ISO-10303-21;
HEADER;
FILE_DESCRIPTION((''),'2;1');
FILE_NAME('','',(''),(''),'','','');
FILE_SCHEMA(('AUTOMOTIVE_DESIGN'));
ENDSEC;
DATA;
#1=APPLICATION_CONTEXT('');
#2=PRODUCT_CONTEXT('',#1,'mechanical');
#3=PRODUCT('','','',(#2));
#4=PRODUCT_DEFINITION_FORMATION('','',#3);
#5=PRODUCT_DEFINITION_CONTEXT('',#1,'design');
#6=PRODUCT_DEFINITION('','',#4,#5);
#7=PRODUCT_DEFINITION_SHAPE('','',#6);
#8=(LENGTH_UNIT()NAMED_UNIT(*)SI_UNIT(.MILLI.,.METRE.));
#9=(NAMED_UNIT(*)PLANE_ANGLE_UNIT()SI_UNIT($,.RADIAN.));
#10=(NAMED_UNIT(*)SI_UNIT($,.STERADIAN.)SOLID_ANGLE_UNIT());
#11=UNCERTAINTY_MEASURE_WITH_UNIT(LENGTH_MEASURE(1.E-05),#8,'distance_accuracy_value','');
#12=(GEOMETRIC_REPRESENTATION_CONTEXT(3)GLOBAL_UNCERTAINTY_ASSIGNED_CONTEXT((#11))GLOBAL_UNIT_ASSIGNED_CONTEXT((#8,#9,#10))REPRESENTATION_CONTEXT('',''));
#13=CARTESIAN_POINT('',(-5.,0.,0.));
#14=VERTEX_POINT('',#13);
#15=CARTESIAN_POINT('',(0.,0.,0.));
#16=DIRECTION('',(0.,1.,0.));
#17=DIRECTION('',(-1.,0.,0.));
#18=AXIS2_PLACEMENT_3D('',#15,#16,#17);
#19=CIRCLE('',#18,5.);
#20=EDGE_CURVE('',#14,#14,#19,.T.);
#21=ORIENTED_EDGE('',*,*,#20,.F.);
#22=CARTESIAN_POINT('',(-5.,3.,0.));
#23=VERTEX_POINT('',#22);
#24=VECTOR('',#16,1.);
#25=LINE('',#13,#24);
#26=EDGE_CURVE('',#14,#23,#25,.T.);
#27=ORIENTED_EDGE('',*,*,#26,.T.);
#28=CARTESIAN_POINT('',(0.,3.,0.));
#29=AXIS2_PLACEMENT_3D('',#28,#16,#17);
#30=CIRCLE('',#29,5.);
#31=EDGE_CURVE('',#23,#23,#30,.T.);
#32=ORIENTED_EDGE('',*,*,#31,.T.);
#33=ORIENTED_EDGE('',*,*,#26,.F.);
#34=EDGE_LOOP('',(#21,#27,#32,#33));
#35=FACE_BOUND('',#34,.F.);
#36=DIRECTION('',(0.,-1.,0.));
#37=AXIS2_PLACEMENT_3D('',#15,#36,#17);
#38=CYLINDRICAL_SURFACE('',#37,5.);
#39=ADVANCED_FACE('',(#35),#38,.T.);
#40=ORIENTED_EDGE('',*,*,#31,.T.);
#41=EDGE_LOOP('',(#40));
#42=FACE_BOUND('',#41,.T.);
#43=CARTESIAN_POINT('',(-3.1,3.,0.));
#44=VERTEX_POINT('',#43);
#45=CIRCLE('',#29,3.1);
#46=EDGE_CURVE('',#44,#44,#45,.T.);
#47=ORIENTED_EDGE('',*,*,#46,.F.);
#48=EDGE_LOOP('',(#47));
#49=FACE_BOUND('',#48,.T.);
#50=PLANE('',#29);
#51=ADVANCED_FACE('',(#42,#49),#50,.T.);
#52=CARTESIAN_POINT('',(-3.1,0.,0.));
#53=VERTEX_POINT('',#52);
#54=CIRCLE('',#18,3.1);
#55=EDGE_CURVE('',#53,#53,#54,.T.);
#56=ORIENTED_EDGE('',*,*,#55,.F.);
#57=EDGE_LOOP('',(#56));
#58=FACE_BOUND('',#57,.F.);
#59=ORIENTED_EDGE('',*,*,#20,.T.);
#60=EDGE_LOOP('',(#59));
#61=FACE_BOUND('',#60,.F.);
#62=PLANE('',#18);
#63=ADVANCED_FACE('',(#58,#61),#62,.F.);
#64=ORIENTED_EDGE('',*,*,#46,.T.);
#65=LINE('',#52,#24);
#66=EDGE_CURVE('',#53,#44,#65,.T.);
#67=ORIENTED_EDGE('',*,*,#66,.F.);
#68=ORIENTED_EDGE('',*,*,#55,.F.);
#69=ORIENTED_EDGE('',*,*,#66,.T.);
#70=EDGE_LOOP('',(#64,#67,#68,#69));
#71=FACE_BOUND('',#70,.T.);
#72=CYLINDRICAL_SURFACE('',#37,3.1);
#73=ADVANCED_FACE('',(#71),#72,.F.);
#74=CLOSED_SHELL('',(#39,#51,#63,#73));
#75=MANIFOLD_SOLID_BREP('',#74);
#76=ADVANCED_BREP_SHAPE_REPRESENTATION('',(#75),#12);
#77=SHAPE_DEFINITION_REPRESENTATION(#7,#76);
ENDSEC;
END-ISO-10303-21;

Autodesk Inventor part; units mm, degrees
ref_plane "YZ Plane" through (0, 0, 0) normal (1, 0, 0) x (0, 1, 0)
ref_plane "XZ Plane" through (0, 0, 0) normal (0, 1, 0) x (-1, 0, 0)
ref_plane "XY Plane" through (0, 0, 0) normal (0, 0, 1) x (1, 0, 0)
sketch "Sketch1" plane through (0, 0, 0) normal (0, 1, 0) x (-1, 0, 0)
  circle A0 centre (0, 0) radius 5
  circle A1 centre (0, 0) radius 3.1
  dimension "d0" = 10
  dimension "d1" = 6.2
extrude "Extrusion1" add sketch "Sketch1" along normal blind 3
thread "Thread1" size "M6x1" class "6H" standard "ISO Metric profile" length 3
properties part number "Prueba Tuerca"
